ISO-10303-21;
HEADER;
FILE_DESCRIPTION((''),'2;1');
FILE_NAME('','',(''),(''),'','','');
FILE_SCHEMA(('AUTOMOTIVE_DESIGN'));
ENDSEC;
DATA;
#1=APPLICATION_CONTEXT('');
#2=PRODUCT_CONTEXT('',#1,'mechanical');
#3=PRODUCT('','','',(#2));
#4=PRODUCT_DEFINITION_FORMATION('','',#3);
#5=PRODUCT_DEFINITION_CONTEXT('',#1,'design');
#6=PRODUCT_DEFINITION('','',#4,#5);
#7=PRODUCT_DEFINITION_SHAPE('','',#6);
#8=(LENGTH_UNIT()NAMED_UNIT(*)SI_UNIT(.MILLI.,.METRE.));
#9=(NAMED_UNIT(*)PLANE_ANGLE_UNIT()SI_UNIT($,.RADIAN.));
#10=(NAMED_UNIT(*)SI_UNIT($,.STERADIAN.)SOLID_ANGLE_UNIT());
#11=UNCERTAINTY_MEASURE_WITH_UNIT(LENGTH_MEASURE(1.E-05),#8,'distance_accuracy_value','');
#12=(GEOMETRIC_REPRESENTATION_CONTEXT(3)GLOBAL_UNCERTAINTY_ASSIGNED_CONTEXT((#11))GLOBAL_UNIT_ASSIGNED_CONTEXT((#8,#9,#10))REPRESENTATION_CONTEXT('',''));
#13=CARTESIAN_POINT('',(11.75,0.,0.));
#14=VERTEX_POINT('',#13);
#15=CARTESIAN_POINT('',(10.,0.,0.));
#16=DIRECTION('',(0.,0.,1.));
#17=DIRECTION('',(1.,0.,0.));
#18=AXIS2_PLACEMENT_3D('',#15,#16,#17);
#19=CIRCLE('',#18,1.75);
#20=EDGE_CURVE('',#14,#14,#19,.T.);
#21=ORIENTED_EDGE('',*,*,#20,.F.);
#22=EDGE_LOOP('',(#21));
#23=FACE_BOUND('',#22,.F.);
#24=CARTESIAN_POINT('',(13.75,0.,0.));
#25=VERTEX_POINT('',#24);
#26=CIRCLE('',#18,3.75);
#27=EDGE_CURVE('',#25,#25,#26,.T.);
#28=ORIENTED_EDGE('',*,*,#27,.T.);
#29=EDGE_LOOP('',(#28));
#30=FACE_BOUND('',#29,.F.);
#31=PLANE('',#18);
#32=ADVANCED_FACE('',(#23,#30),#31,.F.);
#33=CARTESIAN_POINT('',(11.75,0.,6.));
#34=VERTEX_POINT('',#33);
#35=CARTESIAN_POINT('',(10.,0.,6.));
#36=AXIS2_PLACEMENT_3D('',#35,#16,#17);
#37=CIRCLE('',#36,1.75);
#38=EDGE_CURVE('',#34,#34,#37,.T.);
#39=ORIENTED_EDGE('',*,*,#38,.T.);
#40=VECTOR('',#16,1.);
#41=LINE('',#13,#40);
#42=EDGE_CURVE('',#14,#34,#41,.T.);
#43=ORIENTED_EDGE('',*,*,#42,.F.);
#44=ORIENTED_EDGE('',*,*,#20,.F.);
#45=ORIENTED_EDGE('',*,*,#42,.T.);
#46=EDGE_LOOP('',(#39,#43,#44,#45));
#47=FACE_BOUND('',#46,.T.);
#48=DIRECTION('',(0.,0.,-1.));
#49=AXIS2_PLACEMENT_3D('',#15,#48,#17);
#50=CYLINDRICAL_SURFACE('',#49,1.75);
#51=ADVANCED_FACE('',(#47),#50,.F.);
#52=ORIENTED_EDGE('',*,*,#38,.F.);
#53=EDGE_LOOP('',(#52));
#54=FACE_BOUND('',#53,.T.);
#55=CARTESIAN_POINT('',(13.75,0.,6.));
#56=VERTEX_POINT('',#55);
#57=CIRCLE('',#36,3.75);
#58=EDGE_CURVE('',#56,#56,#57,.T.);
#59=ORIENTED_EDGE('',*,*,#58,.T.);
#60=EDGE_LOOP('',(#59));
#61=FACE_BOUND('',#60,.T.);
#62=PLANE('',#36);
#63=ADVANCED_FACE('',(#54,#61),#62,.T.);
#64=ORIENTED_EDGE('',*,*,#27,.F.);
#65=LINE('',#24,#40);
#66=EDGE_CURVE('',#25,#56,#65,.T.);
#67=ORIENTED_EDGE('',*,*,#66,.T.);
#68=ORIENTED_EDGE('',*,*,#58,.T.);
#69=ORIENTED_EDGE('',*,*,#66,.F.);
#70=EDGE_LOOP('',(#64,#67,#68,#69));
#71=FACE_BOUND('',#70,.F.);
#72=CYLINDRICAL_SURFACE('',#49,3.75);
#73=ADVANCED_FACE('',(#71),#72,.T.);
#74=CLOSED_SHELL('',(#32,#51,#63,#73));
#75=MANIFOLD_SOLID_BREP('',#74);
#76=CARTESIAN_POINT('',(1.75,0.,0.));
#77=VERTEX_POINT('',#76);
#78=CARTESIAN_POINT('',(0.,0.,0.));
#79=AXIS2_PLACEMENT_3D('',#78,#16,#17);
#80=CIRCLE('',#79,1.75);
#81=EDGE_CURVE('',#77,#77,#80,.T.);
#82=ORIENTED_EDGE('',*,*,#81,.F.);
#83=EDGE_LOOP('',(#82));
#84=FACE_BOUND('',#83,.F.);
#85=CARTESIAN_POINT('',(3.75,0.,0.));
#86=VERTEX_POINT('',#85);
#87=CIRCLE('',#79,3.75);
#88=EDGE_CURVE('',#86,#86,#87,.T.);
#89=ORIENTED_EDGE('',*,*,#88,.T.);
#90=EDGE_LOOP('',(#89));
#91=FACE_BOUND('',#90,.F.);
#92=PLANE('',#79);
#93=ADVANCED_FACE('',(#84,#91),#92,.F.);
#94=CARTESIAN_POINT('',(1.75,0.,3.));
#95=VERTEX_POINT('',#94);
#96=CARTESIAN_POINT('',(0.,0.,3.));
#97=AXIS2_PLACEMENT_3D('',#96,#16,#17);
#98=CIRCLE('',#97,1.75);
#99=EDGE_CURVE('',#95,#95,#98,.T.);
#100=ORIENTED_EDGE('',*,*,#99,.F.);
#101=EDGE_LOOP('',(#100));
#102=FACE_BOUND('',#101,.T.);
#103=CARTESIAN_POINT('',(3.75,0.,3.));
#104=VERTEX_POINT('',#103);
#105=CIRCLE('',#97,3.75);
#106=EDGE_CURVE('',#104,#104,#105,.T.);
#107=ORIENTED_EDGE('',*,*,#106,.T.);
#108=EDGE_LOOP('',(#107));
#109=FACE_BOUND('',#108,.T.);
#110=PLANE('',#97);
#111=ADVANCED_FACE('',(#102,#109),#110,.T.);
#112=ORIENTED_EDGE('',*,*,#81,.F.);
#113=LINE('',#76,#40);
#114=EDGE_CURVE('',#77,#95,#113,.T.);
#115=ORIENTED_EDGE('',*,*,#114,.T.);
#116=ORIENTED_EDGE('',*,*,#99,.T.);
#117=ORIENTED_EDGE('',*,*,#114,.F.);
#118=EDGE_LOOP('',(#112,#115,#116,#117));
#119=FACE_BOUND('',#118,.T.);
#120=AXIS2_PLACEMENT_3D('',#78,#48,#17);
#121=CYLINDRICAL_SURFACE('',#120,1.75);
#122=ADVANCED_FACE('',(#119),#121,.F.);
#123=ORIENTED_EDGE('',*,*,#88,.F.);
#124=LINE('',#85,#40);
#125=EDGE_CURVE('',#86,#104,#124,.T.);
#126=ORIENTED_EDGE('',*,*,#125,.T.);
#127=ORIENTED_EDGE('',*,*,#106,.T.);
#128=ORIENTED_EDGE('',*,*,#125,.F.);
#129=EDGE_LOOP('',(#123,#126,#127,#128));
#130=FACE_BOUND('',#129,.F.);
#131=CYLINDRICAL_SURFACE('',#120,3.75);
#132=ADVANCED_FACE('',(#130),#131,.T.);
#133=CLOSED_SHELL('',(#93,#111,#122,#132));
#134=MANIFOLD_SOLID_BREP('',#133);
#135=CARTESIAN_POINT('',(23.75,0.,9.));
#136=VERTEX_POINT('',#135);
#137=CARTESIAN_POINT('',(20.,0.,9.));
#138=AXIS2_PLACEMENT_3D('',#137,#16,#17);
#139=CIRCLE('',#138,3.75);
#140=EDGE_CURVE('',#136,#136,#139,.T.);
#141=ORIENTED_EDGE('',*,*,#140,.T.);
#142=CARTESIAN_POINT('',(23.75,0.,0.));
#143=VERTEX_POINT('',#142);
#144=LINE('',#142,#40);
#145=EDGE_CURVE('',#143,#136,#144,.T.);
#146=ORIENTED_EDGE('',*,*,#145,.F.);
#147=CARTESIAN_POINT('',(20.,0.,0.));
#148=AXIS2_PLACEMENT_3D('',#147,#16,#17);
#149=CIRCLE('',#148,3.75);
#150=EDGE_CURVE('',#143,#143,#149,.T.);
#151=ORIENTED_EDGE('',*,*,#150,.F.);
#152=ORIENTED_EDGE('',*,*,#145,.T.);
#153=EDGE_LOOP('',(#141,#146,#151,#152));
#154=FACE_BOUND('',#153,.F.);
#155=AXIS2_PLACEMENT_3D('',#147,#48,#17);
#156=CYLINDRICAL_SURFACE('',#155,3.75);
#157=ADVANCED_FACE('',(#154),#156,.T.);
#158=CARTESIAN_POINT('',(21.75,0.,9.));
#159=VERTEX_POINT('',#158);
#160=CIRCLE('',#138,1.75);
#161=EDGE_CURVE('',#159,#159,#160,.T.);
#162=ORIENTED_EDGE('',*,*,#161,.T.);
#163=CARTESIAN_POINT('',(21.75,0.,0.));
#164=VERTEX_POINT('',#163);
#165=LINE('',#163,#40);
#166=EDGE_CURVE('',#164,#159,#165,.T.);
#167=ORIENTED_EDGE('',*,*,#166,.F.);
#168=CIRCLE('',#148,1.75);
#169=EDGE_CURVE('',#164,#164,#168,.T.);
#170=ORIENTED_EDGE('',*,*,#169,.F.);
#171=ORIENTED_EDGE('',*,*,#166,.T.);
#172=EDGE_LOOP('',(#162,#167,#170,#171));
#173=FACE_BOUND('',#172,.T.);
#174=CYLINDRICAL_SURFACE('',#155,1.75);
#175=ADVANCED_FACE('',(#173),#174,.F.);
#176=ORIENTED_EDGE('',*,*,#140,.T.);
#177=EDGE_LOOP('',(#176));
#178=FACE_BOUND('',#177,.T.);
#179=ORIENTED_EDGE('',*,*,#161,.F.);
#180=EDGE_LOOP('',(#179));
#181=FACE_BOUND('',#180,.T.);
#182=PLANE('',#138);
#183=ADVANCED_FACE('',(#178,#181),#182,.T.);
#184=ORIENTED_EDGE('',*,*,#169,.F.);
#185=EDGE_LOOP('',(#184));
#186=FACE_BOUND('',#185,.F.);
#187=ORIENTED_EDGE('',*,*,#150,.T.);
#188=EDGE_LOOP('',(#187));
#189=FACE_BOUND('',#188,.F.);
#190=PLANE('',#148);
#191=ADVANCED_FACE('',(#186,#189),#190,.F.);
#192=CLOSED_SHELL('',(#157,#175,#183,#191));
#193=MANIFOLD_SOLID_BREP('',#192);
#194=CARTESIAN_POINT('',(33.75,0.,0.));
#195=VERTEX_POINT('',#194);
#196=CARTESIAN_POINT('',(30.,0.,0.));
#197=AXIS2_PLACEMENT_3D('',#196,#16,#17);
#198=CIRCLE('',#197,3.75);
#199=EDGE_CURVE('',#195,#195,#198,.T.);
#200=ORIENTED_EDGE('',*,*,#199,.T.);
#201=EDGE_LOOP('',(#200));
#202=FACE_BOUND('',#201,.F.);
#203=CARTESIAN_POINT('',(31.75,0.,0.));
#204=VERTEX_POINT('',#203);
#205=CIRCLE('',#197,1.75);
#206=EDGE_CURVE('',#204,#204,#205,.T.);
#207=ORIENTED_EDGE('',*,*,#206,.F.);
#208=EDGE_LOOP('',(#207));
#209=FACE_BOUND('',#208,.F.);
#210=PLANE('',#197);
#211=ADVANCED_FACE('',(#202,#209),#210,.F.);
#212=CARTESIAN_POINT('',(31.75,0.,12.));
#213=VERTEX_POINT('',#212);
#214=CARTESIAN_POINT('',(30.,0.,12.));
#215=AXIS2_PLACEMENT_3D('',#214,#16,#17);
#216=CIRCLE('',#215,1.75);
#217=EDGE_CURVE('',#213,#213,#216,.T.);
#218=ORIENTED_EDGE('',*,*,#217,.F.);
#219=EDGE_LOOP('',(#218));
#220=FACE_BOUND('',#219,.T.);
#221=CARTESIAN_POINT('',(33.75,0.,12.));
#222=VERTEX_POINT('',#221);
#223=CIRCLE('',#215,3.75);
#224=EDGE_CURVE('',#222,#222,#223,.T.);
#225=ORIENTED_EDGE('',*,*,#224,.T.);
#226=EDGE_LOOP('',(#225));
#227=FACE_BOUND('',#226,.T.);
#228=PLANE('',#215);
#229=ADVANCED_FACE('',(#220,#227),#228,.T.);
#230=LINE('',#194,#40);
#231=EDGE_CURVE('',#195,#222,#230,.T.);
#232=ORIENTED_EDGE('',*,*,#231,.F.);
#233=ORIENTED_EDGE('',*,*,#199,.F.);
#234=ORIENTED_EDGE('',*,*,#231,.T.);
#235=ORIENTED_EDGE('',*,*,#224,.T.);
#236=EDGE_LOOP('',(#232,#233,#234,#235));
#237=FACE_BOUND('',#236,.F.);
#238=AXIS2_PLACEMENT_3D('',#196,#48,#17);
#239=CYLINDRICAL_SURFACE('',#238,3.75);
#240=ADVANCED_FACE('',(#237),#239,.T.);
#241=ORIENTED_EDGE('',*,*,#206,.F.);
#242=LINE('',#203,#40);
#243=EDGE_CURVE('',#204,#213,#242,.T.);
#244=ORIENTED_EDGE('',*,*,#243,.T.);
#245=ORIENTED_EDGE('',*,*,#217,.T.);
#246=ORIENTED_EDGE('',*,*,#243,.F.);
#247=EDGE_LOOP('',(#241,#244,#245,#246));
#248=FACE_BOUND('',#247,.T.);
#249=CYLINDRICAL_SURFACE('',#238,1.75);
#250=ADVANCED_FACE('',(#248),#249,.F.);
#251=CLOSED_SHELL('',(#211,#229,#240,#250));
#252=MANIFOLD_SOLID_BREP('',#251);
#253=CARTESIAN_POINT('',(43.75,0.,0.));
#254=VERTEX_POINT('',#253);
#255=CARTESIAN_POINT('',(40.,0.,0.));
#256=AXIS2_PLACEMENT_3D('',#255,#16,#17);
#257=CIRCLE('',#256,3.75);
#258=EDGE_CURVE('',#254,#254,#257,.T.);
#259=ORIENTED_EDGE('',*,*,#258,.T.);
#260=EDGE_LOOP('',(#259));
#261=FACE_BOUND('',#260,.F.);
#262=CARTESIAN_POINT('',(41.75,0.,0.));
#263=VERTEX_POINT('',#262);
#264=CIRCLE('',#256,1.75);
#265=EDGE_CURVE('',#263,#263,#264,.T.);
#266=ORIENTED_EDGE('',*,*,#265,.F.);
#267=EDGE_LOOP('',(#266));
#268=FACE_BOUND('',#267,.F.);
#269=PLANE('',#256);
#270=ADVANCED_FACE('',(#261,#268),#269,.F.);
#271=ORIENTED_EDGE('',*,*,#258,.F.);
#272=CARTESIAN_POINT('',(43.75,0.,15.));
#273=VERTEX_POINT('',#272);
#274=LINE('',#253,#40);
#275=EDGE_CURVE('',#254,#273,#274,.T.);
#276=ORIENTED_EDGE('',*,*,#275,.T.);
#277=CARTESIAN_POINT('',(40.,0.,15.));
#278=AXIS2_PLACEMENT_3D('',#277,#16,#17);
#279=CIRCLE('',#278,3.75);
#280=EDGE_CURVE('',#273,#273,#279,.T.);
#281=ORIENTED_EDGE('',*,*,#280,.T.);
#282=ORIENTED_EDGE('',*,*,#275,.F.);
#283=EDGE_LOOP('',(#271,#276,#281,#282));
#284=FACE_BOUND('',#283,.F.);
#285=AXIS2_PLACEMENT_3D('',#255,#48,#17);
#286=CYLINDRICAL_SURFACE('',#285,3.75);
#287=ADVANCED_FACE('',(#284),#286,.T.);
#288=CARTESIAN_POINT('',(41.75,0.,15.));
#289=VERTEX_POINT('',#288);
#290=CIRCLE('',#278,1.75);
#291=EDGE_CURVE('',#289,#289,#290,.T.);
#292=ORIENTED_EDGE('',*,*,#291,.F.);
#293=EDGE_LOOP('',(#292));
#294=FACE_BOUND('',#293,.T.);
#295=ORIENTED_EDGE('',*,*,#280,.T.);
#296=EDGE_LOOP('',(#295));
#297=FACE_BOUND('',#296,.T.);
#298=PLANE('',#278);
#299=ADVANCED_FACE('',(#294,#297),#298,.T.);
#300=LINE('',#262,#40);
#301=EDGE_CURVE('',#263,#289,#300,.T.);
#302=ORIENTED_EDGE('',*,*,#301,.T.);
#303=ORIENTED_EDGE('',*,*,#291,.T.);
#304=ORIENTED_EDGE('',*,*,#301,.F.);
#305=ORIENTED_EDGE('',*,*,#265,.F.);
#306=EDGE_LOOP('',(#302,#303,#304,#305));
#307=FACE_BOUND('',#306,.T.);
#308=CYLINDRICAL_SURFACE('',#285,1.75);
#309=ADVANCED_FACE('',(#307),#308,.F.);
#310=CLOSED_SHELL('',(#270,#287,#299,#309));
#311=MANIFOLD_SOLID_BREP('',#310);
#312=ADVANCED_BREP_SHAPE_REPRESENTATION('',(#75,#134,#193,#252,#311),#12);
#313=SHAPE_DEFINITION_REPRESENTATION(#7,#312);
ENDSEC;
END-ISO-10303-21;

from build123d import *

# Parameters (mm, degrees)
F0_R     = 3.75
F0_R_2   = 1.75
F1_DEPTH = 3
F2_DEPTH = 6
F3_DEPTH = 9
F4_DEPTH = 12
F5_DEPTH = 15


with BuildPart() as f1:
    # F0 (on Top) → F1 (new body)
    with BuildSketch(Plane.XY):
        Circle(F0_R)
        Circle(F0_R_2, mode=Mode.SUBTRACT)
    extrude(amount=F1_DEPTH)


with BuildPart() as f2:
    # F0 (on Top) → F2 (new body)
    with BuildSketch(Plane.XY):
        with Locations((10, 0)):
            Circle(F0_R)
        with Locations((10, 0)):
            Circle(F0_R_2, mode=Mode.SUBTRACT)
    extrude(amount=F2_DEPTH)


with BuildPart() as f3:
    # F0 (on Top) → F3 (new body)
    with BuildSketch(Plane.XY):
        with Locations((20, 0)):
            Circle(F0_R)
        with Locations((20, 0)):
            Circle(F0_R_2, mode=Mode.SUBTRACT)
    extrude(amount=F3_DEPTH)


with BuildPart() as f4:
    # F0 (on Top) → F4 (new body)
    with BuildSketch(Plane.XY):
        with Locations((30, 0)):
            Circle(F0_R)
        with Locations((30, 0)):
            Circle(F0_R_2, mode=Mode.SUBTRACT)
    extrude(amount=F4_DEPTH)


with BuildPart() as f5:
    # F0 (on Top) → F5 (new body)
    with BuildSketch(Plane.XY):
        with Locations((40, 0)):
            Circle(F0_R)
        with Locations((40, 0)):
            Circle(F0_R_2, mode=Mode.SUBTRACT)
    extrude(amount=F5_DEPTH)


solid = Compound([f1.part, f2.part, f3.part, f4.part, f5.part])
